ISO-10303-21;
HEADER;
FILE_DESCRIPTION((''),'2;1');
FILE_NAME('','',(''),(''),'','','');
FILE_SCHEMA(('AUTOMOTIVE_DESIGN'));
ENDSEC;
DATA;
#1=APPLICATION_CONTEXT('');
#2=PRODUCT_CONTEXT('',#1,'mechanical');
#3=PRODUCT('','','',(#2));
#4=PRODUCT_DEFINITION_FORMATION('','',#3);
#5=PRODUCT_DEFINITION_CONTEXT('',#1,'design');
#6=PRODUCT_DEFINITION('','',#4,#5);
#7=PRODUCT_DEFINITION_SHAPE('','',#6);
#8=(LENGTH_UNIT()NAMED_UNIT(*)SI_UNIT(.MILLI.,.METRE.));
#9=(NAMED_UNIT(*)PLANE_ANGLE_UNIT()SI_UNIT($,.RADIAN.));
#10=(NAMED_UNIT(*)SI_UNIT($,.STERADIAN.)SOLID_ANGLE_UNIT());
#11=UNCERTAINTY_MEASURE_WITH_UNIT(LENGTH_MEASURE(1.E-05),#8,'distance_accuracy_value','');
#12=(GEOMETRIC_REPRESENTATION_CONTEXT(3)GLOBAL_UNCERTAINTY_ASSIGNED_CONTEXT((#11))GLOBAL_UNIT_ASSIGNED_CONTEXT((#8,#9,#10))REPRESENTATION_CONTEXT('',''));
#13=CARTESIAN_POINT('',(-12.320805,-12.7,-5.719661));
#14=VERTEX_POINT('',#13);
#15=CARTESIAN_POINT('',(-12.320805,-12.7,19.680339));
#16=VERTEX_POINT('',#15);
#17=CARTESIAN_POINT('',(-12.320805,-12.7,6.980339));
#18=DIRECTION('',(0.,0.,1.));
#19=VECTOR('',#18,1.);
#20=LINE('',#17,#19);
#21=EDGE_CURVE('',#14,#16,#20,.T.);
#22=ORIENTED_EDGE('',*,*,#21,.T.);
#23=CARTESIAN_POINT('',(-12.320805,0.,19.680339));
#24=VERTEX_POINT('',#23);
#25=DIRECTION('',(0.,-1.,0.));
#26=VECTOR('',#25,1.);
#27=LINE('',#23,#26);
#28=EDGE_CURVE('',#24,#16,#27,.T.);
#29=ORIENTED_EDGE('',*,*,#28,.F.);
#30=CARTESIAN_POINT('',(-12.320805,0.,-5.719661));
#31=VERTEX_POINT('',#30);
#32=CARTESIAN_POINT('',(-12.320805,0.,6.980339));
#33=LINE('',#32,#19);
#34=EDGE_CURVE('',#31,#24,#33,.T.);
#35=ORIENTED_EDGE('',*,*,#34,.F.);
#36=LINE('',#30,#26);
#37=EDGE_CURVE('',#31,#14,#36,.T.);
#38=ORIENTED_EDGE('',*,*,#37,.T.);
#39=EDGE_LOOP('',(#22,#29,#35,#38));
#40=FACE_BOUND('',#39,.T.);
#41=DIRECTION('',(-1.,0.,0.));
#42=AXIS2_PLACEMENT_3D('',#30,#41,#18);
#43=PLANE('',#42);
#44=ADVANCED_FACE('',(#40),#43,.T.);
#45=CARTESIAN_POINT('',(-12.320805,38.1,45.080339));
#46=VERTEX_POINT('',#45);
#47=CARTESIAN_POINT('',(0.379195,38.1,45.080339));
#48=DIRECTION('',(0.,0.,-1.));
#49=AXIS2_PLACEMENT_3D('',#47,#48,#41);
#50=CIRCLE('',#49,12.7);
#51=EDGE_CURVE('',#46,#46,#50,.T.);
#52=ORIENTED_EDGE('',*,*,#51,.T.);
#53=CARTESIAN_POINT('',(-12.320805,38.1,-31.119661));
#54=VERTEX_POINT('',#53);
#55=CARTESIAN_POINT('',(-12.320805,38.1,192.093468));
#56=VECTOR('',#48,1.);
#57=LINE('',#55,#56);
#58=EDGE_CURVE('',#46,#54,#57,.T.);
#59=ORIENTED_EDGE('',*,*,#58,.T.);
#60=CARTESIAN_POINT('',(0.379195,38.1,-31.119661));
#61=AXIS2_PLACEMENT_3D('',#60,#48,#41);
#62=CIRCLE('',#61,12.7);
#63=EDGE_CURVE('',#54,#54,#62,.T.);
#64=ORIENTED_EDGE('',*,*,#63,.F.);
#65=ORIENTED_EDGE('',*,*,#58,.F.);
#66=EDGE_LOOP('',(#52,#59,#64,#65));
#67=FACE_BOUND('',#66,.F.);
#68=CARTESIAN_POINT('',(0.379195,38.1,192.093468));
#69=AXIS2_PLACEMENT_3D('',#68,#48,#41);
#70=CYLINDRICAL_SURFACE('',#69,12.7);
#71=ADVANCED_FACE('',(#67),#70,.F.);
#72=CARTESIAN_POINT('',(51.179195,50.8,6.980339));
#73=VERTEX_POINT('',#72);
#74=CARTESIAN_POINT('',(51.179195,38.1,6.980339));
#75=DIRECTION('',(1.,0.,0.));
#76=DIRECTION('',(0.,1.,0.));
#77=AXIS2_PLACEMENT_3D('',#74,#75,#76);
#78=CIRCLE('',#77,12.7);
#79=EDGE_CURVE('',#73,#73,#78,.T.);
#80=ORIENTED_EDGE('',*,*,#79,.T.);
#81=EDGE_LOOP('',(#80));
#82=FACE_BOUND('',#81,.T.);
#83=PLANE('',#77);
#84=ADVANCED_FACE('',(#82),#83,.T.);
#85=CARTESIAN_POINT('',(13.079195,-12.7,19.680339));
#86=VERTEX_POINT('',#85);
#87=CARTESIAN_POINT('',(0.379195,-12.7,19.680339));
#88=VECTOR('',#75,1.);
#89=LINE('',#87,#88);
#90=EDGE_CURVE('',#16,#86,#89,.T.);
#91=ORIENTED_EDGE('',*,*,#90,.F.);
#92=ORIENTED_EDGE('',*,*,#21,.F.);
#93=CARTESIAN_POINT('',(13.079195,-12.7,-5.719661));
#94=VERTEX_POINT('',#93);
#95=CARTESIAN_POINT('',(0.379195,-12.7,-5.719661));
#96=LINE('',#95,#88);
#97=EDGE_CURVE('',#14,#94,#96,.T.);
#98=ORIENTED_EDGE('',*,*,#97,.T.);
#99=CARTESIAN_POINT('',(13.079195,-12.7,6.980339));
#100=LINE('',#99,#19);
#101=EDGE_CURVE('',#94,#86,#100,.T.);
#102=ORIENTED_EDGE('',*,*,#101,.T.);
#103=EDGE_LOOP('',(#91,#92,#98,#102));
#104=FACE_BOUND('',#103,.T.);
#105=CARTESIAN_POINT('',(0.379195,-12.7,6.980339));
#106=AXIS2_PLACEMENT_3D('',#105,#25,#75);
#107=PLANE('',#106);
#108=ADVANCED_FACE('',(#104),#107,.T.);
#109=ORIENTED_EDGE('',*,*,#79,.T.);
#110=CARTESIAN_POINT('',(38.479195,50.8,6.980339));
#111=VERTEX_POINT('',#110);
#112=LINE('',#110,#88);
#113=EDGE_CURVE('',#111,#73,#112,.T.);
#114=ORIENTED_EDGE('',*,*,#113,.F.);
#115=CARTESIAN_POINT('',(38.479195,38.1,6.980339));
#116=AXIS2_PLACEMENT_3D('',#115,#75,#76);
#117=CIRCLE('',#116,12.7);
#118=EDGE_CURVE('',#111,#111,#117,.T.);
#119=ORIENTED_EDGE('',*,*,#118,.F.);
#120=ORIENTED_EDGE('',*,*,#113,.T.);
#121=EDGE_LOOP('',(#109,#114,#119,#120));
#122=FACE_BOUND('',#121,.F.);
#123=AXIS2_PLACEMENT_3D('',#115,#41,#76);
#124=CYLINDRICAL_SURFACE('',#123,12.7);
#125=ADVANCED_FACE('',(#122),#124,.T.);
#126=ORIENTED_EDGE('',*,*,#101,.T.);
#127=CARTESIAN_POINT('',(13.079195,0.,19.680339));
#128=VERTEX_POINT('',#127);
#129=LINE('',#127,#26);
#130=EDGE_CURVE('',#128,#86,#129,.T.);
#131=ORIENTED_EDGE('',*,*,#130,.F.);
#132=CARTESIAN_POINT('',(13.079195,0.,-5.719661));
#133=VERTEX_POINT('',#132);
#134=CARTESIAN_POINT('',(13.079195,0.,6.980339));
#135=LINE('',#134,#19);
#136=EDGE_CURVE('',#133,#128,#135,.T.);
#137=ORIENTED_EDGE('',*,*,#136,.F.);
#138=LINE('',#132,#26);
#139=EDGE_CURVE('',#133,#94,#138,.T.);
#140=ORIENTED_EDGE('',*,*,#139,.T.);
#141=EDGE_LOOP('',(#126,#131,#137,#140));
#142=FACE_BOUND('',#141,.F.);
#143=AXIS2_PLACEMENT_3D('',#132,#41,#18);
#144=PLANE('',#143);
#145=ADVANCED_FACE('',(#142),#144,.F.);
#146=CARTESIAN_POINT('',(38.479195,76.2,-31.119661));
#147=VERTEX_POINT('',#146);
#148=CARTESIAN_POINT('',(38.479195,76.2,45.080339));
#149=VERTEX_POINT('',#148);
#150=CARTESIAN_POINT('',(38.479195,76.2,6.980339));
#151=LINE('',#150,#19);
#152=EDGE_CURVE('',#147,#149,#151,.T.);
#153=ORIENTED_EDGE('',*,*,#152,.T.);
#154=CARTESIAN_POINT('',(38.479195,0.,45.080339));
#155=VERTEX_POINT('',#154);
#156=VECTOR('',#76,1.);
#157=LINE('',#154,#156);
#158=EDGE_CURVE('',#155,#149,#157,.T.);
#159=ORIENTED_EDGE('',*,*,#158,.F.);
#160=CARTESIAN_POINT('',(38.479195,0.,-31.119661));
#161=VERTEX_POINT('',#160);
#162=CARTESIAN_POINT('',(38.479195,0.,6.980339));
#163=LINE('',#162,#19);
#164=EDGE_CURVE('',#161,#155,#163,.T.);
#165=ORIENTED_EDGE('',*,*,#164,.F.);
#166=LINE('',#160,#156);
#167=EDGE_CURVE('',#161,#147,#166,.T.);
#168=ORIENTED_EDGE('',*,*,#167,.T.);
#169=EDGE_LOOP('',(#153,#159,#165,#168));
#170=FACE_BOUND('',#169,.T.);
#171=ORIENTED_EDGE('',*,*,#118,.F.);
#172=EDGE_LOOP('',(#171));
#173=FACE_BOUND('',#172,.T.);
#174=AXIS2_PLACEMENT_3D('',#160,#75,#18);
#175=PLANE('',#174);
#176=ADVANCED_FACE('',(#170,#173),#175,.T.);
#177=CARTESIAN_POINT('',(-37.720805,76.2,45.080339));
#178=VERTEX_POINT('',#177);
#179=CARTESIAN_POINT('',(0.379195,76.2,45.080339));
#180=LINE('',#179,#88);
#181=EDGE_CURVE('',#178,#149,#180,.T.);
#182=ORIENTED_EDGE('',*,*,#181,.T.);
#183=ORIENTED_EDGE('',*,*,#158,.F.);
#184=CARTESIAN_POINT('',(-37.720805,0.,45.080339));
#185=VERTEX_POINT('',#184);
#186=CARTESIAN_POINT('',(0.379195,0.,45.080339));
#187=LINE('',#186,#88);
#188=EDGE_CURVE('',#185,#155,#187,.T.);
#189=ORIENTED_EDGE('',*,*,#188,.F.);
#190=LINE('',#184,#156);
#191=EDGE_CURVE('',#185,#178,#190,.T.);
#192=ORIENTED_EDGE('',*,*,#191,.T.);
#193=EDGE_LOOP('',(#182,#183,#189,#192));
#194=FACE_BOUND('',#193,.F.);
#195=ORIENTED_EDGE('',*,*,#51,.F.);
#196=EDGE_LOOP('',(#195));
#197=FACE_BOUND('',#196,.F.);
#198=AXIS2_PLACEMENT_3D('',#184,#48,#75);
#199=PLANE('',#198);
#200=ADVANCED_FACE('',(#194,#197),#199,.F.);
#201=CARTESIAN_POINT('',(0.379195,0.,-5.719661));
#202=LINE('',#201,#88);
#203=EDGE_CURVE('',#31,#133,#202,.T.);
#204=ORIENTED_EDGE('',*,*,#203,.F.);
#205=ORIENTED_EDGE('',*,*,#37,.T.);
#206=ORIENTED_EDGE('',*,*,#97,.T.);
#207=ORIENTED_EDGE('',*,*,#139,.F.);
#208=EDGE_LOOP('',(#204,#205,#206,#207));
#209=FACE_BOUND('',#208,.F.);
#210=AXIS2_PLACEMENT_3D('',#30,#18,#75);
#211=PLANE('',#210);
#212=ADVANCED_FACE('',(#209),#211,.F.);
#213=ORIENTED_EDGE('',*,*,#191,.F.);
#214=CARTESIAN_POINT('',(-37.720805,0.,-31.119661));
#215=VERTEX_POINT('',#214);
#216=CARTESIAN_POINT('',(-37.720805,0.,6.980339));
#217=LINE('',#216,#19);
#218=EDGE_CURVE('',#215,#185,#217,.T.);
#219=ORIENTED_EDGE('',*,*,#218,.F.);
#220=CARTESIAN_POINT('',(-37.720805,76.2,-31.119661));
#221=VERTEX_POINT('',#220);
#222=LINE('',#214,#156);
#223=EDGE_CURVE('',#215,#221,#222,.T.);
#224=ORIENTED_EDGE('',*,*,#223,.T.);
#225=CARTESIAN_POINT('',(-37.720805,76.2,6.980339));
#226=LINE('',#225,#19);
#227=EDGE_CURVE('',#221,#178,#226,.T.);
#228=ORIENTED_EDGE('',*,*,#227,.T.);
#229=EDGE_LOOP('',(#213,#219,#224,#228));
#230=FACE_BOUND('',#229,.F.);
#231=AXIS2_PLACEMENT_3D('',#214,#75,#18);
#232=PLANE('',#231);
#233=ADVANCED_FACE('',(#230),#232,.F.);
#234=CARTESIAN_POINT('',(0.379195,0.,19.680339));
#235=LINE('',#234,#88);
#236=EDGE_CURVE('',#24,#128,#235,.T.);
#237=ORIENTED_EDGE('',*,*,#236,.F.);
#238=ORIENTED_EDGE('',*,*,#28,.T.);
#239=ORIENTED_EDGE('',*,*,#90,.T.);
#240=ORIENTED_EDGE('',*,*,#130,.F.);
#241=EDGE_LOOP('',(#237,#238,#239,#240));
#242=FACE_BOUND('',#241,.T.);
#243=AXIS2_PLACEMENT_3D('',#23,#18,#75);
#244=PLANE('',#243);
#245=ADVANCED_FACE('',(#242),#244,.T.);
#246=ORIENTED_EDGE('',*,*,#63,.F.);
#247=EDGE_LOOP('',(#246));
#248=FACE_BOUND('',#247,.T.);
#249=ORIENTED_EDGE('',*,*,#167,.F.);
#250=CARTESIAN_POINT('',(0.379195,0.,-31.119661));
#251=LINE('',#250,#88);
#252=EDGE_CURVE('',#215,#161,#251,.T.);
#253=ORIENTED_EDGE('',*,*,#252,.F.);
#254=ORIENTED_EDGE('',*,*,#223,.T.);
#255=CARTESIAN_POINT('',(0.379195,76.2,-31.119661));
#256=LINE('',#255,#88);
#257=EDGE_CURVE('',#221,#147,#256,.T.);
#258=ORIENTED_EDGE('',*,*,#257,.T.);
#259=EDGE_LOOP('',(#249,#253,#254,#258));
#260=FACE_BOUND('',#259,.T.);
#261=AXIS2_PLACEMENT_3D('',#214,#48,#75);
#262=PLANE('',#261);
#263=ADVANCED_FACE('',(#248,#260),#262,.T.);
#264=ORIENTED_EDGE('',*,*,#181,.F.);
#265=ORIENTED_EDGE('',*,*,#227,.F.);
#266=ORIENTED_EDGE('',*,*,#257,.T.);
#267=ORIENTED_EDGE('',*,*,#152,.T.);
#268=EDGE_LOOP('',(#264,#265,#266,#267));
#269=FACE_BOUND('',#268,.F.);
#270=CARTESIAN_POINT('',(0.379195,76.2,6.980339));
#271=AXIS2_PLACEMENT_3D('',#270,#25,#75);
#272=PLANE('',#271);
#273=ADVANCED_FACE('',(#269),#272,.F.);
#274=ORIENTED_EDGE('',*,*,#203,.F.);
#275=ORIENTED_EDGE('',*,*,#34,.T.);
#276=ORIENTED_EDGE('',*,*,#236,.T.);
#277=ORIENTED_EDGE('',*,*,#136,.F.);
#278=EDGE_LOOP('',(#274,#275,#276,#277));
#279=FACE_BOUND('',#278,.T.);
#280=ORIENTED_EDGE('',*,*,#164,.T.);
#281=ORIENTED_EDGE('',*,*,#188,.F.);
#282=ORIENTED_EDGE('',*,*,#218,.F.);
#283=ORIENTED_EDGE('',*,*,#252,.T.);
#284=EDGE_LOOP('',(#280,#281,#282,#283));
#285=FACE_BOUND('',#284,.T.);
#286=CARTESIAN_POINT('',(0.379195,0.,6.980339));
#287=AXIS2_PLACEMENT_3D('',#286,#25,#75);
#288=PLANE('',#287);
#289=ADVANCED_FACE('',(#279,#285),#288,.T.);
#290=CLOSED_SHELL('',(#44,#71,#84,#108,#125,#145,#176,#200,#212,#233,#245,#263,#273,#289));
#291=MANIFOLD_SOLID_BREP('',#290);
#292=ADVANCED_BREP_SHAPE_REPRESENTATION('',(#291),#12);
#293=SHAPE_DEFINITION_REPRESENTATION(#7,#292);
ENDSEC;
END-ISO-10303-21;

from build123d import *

# Parameters (mm, degrees)
F0_W     = 76.2
F0_H     = 76.2
F1_DEPTH = 76.2
F2_W     = 25.4
F2_H     = 25.4
F3_DEPTH = 12.7
F4_R     = 12.7
F5_DEPTH = 12.7
F7_D     = 25.4


with BuildPart() as f1:
    # F0 (on Front) → F1 (new body)
    with BuildSketch(Plane.XZ):
        with Locations((0.379195, 6.980339)):
            Rectangle(F0_W, F0_H)
    extrude(amount=-F1_DEPTH)

    # F2 (on Front) → F3 (join)
    with BuildSketch(Plane.XZ):
        with Locations((0.379195, 6.980339)):
            Rectangle(F2_W, F2_H)
    extrude(amount=F3_DEPTH)

    # F4 (on face) → F5 (join)
    with BuildSketch(Plane.YZ.offset(38.479195)):
        with Locations((38.1, 6.980339)):
            Circle(F4_R)
    extrude(amount=F5_DEPTH)

    # F7 (through all)
    with Locations(Plane.XY.offset(45.080339)):
        with Locations((0.379195, 38.1)):
            Hole(F7_D / 2)


solid = f1.part
